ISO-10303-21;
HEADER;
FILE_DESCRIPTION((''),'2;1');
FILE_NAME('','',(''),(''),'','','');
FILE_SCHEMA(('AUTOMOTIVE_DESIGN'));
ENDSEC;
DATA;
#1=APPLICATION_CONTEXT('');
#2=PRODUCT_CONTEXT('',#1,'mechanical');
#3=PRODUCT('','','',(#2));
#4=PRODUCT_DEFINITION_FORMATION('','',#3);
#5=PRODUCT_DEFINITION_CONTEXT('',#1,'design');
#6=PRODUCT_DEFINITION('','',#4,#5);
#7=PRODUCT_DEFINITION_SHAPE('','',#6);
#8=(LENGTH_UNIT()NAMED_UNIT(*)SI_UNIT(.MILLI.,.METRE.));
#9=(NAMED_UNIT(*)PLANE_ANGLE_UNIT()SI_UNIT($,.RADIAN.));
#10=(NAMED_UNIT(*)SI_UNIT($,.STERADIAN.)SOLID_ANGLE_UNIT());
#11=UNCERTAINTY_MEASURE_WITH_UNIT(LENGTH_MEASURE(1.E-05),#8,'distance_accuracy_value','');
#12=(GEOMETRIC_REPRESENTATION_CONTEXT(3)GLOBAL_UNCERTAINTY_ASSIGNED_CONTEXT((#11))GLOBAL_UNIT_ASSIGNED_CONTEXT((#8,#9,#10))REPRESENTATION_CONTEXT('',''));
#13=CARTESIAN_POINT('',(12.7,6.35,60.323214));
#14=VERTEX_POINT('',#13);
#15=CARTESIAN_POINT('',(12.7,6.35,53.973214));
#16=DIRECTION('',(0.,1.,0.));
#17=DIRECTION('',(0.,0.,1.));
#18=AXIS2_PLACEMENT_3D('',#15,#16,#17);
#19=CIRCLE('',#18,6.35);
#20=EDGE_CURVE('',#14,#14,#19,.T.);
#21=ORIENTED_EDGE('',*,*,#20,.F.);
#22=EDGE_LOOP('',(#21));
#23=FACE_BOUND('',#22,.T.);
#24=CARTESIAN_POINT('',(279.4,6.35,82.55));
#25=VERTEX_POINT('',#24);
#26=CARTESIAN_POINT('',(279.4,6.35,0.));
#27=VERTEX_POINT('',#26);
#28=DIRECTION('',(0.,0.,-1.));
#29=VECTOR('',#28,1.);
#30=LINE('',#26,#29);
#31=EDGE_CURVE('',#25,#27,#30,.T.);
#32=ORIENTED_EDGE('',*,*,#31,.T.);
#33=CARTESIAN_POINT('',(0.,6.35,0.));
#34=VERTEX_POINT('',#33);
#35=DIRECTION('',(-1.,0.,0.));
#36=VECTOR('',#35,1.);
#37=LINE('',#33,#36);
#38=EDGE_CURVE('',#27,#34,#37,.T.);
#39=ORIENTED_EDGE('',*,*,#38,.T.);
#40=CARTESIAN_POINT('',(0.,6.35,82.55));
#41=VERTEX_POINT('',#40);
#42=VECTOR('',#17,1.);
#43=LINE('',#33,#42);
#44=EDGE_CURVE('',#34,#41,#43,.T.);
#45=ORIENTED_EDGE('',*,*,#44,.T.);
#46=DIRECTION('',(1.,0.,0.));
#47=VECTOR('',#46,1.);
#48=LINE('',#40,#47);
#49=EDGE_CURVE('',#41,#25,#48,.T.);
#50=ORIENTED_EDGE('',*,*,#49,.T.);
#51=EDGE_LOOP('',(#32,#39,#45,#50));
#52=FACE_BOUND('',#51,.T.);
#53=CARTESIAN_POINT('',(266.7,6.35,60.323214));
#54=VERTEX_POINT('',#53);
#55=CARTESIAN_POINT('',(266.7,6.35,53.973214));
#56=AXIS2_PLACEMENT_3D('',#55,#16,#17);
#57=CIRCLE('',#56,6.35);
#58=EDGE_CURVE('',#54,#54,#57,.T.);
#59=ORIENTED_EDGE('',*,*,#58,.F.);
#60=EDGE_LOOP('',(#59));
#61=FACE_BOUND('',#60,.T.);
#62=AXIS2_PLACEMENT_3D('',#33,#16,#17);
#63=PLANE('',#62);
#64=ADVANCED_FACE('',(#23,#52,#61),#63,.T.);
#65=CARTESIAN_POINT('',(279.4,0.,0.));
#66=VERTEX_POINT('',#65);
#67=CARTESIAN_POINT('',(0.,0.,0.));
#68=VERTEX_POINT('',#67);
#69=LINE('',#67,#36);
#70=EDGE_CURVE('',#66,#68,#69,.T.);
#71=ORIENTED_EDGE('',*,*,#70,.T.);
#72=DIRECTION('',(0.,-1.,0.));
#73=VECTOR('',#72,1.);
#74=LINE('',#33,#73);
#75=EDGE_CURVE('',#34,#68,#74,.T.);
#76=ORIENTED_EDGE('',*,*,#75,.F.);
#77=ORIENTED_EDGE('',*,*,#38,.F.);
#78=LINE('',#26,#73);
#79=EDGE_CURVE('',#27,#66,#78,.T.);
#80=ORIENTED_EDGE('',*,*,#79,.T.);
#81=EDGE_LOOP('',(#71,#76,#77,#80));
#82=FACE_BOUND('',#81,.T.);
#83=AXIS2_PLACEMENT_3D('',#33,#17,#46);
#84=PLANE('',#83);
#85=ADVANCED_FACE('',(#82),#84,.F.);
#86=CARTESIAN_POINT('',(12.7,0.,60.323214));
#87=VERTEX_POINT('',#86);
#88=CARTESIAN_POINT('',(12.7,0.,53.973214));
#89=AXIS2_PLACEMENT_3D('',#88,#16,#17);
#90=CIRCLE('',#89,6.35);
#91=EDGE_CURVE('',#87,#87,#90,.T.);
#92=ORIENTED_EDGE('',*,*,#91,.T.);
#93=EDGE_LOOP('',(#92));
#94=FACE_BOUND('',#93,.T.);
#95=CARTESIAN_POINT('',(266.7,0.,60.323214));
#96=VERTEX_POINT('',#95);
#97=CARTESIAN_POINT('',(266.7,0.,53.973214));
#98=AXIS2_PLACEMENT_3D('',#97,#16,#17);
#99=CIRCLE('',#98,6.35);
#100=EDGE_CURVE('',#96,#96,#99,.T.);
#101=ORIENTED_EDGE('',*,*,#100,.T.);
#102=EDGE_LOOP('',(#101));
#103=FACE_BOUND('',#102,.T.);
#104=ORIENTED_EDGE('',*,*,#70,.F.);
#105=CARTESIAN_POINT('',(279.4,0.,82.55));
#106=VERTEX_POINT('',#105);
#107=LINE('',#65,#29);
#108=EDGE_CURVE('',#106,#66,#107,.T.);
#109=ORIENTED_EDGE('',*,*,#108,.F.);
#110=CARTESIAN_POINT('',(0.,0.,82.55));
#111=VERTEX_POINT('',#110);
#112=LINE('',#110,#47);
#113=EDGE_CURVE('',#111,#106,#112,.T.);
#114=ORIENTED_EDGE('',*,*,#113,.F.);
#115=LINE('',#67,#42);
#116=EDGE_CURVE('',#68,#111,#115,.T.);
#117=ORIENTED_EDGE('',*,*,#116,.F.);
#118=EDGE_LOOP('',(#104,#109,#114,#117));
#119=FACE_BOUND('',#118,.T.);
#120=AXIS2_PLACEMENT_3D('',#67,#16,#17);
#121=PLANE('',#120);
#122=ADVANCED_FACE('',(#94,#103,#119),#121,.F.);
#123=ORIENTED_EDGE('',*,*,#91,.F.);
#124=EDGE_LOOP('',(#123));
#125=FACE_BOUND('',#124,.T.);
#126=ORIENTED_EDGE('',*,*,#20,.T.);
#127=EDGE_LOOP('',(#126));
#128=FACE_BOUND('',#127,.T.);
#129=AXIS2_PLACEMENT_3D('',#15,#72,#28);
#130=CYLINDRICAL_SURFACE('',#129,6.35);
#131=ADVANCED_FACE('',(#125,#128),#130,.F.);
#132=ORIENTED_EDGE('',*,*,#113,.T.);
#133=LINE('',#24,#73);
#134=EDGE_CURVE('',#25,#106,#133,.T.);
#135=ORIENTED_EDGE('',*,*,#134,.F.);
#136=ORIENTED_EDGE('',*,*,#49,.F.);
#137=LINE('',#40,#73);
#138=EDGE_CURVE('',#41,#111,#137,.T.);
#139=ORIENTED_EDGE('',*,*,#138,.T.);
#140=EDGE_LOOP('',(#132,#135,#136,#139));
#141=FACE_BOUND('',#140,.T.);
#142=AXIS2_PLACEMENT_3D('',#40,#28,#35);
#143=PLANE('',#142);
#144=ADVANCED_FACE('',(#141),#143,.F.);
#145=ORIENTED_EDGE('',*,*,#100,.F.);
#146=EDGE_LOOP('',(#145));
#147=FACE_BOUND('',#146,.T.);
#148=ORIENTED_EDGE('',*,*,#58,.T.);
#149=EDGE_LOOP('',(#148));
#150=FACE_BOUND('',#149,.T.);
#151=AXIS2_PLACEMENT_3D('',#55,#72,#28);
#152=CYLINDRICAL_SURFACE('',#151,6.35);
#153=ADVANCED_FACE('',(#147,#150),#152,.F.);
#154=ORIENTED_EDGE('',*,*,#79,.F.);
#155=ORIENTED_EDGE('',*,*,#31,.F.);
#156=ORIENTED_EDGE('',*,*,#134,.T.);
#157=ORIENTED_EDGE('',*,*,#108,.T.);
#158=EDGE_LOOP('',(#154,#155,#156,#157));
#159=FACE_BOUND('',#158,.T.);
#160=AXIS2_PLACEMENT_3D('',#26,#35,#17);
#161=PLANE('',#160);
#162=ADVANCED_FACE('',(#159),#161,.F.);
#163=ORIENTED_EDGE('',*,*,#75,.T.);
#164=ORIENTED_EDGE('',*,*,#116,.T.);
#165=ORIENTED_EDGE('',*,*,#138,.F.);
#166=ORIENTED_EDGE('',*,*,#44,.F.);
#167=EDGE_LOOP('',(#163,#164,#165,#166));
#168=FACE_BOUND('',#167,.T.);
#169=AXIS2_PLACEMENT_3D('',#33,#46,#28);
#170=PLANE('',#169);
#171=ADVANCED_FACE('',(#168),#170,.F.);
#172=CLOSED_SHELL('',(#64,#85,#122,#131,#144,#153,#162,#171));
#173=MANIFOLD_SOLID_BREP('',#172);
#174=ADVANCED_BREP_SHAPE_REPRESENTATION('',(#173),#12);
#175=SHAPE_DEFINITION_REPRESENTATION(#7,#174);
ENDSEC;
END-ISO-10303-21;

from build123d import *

# Parameters (mm, degrees)
SKETCH2_W           = 279.4
SKETCH2_H           = 82.55
SKETCH2_R           = 6.35
BOSS_EXTRUDE1_DEPTH = 6.35


with BuildPart() as part:
    # Sketch2 → Boss-Extrude1 (new body)
    with BuildSketch(Plane(origin=(0, 0, 0), x_dir=(1, 0, 0), z_dir=(0, 1, 0))):
        with Locations((139.7, -41.275)):
            Rectangle(SKETCH2_W, SKETCH2_H)
        with Locations(Location((12.7, -53.97321438, 0), (0, 0, 270))):
            Circle(SKETCH2_R, mode=Mode.SUBTRACT)
        with Locations(Location((266.7, -53.97321438, 0), (0, 0, 270))):
            Circle(SKETCH2_R, mode=Mode.SUBTRACT)
    extrude(amount=BOSS_EXTRUDE1_DEPTH)


solid = part.part
